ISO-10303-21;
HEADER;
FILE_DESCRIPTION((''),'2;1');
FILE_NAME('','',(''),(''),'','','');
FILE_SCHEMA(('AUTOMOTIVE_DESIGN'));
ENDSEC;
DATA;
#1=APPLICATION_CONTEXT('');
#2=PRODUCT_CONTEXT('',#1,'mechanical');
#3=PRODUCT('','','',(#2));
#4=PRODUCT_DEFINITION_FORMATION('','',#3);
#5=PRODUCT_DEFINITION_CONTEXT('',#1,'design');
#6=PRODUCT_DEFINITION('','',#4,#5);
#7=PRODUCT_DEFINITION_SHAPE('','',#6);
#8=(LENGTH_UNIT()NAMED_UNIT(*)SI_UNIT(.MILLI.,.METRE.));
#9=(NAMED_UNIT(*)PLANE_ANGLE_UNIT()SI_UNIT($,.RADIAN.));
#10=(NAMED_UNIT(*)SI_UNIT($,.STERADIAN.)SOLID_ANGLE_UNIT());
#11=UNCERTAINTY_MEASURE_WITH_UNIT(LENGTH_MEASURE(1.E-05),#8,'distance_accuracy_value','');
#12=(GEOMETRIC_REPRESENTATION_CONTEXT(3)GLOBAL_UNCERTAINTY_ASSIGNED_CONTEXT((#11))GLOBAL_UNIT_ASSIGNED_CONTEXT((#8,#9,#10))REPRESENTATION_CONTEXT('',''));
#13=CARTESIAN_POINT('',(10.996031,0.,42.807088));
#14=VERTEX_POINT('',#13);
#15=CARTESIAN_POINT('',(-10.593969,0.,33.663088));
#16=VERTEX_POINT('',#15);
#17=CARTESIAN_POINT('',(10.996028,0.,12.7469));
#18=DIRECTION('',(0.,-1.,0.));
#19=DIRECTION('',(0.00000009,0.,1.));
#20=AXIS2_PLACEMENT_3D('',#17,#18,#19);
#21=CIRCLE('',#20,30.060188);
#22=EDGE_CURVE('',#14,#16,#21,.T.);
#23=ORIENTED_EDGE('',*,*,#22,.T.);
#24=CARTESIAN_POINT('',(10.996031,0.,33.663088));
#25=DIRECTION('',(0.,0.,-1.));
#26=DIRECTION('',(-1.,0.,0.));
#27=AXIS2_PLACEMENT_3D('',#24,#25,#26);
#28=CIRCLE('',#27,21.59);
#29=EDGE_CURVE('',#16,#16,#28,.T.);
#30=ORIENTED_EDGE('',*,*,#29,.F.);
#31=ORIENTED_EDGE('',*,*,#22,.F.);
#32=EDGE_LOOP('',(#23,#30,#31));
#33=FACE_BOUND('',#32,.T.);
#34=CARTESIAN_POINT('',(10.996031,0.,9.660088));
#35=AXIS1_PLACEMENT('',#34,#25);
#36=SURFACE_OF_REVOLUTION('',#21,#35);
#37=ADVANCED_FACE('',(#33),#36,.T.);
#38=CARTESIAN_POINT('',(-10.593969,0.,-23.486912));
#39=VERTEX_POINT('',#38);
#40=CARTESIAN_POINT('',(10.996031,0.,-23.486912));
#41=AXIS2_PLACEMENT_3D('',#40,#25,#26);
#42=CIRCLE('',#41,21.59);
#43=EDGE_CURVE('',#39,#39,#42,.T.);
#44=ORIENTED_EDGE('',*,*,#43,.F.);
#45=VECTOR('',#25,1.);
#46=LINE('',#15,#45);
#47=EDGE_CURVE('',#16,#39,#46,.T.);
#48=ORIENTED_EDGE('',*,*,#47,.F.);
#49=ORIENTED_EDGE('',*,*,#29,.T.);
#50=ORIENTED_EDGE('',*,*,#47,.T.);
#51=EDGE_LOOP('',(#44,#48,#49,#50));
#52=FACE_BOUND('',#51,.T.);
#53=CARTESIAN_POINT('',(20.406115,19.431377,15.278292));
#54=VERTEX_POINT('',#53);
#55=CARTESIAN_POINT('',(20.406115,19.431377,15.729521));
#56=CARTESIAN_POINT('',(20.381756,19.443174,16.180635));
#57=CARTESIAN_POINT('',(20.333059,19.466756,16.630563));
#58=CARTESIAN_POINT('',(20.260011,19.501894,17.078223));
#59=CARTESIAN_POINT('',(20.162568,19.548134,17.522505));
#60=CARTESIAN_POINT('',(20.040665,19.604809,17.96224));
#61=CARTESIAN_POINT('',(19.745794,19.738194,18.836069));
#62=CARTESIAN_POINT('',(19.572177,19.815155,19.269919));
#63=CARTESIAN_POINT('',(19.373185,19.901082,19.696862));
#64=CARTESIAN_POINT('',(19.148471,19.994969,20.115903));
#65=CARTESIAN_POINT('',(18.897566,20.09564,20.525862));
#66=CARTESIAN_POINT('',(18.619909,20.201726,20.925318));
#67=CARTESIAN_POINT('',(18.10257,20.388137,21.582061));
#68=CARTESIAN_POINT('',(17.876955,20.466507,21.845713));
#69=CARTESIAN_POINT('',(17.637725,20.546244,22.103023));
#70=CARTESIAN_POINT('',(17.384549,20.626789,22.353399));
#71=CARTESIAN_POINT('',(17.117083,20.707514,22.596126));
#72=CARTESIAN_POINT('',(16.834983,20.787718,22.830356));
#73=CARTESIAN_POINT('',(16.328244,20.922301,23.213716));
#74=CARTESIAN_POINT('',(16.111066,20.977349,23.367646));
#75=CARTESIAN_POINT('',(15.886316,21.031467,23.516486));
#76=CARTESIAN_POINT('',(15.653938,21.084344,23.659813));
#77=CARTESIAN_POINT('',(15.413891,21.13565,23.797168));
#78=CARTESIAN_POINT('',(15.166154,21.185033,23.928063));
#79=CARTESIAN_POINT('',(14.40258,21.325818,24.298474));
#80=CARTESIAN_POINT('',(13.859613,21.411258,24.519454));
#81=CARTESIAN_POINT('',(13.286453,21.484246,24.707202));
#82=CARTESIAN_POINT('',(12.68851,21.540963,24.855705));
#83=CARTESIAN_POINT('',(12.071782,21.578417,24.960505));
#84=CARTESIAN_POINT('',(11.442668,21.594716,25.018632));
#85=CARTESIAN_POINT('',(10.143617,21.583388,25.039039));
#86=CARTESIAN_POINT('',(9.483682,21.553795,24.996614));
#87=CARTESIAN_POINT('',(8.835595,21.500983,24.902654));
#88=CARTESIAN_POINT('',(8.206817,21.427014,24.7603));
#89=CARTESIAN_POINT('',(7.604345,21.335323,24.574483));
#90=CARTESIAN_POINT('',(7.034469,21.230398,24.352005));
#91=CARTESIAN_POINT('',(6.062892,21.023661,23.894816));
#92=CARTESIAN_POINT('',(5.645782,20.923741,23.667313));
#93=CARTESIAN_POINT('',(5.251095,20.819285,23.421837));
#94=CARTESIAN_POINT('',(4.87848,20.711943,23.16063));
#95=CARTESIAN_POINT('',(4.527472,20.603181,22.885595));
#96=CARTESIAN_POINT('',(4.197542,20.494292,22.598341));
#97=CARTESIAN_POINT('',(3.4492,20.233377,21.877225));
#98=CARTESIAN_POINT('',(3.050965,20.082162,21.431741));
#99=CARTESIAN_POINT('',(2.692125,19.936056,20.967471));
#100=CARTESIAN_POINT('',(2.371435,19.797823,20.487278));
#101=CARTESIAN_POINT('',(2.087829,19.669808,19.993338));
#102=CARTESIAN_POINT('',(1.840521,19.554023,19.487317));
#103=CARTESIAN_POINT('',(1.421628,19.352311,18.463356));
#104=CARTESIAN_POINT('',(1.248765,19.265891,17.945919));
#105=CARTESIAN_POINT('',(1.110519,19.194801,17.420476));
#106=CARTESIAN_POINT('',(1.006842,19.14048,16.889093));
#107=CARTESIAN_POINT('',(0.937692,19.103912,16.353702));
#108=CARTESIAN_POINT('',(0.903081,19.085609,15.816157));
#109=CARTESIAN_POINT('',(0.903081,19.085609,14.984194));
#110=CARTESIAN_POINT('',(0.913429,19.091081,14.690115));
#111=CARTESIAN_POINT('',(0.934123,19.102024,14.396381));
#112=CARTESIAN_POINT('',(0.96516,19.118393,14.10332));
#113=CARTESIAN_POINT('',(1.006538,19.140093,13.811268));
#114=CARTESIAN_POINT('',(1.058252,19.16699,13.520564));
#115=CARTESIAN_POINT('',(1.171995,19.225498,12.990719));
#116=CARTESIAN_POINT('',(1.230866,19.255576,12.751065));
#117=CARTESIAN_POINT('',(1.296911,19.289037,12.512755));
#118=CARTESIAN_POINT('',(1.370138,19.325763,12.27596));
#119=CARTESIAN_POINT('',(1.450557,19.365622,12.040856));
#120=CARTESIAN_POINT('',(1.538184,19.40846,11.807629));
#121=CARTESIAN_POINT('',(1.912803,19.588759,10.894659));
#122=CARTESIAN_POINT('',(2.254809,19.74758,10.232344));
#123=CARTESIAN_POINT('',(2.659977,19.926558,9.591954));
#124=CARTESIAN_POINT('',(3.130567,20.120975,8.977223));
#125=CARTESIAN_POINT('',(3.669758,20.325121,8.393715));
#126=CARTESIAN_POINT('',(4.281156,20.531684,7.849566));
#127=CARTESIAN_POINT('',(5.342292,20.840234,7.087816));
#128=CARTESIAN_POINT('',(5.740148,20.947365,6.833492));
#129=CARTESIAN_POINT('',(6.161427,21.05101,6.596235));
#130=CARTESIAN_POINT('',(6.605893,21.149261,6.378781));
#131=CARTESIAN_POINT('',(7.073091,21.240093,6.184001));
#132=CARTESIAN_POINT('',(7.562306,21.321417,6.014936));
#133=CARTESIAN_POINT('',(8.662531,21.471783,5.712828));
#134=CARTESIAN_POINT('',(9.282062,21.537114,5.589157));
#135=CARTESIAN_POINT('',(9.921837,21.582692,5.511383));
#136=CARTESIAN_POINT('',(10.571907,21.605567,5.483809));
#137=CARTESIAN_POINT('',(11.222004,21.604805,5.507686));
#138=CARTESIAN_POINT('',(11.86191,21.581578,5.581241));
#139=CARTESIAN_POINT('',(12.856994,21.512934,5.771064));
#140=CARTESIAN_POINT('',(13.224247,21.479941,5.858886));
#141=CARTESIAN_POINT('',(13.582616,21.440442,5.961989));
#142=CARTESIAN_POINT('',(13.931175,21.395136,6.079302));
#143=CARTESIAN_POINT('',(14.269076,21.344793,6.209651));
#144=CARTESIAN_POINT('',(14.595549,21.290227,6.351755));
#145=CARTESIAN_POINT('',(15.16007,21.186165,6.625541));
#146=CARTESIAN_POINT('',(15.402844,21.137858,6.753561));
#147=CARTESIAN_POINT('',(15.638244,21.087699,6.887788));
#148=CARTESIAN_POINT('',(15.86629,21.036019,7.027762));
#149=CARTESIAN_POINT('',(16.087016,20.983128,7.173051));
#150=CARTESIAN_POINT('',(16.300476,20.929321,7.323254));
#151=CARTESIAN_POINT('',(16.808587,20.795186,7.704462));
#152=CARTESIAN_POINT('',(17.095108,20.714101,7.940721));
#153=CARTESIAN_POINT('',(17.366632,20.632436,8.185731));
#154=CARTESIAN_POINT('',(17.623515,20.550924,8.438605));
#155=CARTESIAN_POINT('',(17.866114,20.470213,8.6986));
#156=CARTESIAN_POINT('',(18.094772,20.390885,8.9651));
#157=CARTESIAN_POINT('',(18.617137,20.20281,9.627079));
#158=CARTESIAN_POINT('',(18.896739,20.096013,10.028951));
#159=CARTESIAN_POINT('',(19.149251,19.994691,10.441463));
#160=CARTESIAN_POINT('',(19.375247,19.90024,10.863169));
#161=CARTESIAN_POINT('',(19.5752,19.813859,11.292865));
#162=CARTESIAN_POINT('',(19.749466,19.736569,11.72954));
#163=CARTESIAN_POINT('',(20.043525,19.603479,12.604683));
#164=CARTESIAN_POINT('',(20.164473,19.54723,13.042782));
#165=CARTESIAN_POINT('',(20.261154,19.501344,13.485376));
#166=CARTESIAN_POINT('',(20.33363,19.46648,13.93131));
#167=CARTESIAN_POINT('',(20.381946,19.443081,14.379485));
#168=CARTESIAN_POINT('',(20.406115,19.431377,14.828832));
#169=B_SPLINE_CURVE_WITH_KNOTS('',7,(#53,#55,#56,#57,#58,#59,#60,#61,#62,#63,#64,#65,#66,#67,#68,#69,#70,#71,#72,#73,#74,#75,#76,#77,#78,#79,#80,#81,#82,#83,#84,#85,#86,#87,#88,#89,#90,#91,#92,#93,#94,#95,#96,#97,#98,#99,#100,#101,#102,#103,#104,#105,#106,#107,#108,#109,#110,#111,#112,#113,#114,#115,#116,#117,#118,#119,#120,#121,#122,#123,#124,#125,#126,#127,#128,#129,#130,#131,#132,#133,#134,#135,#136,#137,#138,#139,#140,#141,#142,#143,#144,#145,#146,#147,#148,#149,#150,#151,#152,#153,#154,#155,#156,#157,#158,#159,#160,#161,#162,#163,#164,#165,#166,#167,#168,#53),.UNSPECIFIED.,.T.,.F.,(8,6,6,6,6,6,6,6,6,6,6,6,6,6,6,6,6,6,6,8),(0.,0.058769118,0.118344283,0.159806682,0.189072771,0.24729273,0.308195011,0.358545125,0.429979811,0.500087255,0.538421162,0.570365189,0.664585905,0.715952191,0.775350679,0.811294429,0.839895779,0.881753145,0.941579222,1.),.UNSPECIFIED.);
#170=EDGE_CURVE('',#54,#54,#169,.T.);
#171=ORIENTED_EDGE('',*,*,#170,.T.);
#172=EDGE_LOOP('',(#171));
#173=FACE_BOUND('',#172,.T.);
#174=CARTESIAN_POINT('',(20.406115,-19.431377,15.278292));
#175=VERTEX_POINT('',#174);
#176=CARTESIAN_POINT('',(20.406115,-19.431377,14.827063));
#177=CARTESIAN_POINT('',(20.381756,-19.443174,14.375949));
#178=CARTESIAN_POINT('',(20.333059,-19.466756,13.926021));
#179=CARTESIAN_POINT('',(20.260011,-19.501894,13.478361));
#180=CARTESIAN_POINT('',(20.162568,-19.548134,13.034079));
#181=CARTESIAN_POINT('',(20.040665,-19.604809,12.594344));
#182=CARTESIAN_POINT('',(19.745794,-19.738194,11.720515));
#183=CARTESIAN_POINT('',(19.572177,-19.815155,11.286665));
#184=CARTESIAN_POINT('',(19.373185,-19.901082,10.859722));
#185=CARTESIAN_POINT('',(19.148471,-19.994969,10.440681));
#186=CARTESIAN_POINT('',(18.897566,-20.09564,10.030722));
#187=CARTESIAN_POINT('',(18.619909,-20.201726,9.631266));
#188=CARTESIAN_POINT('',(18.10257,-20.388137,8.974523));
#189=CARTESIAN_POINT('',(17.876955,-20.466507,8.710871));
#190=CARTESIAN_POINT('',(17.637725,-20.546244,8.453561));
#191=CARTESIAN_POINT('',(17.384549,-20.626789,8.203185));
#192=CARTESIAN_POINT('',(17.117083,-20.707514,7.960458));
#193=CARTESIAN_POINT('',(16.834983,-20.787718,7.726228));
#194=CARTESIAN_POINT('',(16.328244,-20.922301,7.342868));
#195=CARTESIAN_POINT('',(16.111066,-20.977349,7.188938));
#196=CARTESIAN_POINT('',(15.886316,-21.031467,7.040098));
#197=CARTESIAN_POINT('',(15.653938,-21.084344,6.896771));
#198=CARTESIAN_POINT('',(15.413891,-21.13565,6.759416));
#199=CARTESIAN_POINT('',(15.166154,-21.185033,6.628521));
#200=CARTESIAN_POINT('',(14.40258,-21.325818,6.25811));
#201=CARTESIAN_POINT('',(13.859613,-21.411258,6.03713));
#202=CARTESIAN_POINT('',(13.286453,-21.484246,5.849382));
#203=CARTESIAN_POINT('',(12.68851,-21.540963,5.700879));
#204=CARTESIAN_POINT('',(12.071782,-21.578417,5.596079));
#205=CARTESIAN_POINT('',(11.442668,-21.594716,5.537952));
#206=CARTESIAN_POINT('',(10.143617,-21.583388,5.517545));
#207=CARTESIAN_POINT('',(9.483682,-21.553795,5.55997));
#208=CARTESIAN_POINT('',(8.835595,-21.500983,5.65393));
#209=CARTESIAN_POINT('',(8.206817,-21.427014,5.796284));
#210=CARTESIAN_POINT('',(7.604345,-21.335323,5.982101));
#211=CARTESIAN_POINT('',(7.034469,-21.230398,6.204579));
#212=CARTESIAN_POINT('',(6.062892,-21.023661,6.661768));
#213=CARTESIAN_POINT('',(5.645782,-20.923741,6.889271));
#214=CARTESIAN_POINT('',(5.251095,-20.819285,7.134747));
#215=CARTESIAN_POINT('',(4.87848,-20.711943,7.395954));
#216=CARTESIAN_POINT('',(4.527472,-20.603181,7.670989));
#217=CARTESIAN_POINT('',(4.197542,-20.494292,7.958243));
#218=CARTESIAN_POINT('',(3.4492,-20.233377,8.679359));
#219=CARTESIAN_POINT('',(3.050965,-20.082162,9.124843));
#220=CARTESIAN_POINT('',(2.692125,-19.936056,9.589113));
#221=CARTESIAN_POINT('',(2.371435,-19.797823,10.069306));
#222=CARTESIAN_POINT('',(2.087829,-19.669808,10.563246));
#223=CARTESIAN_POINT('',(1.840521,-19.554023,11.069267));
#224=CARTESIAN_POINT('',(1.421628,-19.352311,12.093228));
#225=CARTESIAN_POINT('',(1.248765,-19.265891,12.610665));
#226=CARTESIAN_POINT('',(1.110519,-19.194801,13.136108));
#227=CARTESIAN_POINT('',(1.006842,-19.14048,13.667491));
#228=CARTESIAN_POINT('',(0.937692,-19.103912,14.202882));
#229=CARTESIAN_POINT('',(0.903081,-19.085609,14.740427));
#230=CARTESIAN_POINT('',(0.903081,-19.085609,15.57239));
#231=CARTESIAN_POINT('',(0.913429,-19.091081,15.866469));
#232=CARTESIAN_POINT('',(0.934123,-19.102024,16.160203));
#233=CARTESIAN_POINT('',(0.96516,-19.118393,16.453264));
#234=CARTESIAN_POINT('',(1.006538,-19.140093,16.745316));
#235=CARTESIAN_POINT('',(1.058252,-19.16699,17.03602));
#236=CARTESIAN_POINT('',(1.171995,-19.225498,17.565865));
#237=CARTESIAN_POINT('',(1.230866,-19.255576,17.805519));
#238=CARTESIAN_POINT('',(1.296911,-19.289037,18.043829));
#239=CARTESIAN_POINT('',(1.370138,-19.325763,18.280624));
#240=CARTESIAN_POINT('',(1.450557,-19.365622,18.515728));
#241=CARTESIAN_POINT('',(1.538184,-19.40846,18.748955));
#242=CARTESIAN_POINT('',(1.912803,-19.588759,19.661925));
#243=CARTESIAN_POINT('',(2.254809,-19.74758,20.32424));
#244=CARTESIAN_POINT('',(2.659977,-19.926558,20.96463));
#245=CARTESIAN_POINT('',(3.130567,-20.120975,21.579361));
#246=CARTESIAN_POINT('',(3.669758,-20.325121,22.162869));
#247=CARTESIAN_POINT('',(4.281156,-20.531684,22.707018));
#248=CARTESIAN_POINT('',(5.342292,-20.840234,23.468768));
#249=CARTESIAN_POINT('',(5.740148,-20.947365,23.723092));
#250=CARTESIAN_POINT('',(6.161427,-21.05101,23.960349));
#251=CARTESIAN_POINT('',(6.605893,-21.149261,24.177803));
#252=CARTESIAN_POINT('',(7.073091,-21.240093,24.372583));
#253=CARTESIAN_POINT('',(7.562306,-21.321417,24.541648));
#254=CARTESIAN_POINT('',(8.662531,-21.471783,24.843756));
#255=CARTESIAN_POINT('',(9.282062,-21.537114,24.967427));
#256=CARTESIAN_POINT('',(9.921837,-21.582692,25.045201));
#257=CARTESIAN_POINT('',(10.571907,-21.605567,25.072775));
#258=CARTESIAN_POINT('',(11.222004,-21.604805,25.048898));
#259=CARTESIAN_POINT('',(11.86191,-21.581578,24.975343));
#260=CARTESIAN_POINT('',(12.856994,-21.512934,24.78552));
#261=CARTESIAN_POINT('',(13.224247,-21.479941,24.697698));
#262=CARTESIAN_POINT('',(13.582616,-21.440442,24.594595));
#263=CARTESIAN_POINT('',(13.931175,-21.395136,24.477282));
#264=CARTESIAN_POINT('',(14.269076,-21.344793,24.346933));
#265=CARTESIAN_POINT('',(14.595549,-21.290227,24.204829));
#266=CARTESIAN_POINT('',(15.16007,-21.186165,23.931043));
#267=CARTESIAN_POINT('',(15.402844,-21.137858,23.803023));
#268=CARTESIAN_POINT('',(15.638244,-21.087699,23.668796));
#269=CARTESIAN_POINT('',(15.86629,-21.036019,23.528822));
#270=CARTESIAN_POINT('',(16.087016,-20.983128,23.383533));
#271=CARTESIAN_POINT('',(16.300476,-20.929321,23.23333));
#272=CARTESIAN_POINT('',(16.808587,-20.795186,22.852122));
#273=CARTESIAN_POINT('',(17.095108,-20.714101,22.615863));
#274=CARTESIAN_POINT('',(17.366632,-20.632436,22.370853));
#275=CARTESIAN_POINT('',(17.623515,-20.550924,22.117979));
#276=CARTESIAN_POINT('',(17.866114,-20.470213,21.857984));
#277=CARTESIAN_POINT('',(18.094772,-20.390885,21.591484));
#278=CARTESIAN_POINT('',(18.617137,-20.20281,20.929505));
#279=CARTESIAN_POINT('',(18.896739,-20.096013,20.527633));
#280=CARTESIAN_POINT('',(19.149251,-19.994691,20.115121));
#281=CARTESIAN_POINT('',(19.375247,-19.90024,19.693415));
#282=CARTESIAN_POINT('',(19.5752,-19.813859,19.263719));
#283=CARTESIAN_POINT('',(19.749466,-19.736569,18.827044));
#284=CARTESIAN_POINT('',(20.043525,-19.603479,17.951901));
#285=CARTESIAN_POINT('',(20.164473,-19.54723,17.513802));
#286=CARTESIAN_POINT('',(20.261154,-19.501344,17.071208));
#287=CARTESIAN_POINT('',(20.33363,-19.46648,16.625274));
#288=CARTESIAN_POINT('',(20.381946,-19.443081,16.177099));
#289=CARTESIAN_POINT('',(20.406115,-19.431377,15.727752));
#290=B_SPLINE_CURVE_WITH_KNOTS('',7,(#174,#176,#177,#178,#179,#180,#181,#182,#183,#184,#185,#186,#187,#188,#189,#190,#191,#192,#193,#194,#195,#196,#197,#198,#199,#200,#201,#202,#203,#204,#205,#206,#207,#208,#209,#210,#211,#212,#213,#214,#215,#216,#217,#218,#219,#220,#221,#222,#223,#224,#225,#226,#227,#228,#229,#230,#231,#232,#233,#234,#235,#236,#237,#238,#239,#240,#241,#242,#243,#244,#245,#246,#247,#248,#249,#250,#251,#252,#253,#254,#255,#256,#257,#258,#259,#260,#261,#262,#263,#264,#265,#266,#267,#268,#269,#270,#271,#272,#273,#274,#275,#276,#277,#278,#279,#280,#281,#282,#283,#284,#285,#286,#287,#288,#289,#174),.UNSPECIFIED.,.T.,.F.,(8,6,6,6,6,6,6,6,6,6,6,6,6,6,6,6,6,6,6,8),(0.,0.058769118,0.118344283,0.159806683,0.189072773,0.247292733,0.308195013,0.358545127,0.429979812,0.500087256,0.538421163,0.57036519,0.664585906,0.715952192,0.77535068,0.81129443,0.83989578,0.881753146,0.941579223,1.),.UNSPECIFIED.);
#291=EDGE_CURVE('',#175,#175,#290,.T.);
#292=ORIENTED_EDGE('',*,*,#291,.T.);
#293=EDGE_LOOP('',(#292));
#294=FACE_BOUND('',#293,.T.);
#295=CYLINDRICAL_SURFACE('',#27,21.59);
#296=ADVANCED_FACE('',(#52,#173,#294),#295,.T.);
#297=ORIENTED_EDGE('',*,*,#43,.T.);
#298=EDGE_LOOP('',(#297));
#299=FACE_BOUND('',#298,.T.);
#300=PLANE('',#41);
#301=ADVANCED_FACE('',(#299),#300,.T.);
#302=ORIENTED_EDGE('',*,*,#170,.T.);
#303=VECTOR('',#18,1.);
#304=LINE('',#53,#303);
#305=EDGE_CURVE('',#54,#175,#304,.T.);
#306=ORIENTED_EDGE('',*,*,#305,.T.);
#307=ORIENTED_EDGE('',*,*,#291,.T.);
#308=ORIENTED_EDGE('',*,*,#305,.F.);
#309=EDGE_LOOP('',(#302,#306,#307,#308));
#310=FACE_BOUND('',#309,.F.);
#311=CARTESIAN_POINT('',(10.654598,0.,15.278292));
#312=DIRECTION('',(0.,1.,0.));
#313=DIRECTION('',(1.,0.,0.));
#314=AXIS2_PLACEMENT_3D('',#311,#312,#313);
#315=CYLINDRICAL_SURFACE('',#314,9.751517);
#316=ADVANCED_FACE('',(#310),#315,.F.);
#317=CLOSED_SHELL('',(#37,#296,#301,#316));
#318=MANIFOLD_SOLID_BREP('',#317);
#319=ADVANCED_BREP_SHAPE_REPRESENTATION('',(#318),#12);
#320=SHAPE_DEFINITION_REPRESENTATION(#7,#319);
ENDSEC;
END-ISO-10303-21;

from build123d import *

# Parameters (mm, degrees)
F2_R      = 9.751517
F3_DEPTH  = 21.591
F3_FACE_R = 9.751517
F4_DEPTH  = 21.591


with BuildPart() as f1:
    # F0 (on Front) → F1 (revolve)
    with BuildSketch(Plane.XZ):
        with BuildLine():
            Line((-10.593969, 33.663088), (-10.593969, -23.486912))
            Line((-10.593969, -23.486912), (10.996031, -23.486912))
            Line((10.996031, -23.486912), (10.996031, 42.807088))
            ThreePointArc((10.996031, 42.807088), (-0.727246, 40.426852), (-10.593969, 33.663088))
        make_face()
    revolve(axis=Axis((10.996031, 0, 9.660088), (0, 0, -1)))

    # F2 (on Front) → F3 (cut, through all)
    with BuildSketch(Plane.XZ):
        with Locations((10.654598, 15.278292)):
            Circle(F2_R)
    extrude(amount=-F3_DEPTH, mode=Mode.SUBTRACT)

    # F3_face (on face) → F4 (cut, through all)
    with BuildSketch(Plane(origin=(10.654598, 0, 15.278292), x_dir=(1, 0, 0), z_dir=(0, 1, 0))):
        Circle(F3_FACE_R)
    extrude(amount=-F4_DEPTH, mode=Mode.SUBTRACT)


solid = f1.part
